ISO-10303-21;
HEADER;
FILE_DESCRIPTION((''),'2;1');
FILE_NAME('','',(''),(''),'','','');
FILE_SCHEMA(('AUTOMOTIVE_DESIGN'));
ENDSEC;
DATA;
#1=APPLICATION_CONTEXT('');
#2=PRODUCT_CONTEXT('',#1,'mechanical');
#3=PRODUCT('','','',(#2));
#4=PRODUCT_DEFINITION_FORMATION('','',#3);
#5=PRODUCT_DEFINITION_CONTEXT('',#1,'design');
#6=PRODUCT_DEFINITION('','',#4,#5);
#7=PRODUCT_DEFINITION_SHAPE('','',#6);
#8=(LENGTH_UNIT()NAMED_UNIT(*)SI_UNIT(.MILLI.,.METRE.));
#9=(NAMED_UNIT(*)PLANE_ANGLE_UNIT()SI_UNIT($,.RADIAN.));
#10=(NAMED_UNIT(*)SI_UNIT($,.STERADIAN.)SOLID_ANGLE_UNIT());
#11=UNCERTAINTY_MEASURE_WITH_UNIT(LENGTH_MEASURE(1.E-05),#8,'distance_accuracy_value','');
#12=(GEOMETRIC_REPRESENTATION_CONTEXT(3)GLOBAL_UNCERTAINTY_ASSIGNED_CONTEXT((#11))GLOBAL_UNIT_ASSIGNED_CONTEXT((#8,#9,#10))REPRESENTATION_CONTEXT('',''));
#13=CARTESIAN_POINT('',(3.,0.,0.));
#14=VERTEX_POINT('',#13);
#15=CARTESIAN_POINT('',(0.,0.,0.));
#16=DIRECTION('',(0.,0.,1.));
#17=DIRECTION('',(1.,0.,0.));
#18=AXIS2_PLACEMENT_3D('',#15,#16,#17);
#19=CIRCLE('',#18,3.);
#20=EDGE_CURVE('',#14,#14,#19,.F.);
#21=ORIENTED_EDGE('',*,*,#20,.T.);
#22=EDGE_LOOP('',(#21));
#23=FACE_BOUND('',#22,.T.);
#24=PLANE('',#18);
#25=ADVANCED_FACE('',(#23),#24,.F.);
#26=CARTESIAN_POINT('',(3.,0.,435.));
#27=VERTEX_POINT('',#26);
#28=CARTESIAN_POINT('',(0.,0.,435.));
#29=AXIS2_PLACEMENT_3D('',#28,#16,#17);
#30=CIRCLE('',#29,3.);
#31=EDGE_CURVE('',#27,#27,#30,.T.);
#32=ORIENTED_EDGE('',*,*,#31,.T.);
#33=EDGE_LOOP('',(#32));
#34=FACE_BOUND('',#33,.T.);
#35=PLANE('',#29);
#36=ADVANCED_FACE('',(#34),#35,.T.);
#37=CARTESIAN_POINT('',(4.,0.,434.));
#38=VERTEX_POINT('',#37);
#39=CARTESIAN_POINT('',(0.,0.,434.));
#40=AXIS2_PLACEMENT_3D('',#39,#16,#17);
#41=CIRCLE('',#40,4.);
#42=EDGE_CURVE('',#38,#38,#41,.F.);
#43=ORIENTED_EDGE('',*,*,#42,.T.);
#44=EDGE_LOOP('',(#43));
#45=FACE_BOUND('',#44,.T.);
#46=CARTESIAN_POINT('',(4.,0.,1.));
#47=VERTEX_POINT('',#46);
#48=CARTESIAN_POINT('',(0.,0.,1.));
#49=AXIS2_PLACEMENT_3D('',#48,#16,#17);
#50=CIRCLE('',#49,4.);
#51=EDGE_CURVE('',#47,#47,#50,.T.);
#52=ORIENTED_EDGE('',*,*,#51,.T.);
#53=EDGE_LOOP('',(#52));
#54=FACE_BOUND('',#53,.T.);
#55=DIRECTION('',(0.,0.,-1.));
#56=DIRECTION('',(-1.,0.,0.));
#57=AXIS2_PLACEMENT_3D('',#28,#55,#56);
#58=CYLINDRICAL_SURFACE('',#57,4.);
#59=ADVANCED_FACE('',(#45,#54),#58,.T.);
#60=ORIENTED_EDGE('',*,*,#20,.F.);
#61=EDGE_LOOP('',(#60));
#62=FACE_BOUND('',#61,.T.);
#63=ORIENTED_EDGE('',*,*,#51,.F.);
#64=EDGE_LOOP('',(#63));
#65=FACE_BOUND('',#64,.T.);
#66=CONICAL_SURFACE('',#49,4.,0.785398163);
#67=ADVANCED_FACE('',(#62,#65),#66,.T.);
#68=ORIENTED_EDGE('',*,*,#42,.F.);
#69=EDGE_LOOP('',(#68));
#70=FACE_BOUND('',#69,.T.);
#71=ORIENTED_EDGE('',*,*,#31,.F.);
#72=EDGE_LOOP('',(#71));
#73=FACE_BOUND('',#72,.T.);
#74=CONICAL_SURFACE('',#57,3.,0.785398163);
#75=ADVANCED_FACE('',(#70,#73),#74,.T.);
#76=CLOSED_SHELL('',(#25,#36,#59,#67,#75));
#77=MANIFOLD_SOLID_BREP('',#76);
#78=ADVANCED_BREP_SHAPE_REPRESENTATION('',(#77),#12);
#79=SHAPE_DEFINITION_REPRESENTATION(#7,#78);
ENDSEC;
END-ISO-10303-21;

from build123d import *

# Parameters (mm, degrees)
SCHIZZO1_R                   = 4
ESTRUSIONE_ESTRUSIONE1_DEPTH = 435
SMUSSO1_SIZE                 = 1


with BuildPart() as part:
    # Schizzo1 → Estrusione-Estrusione1 (new body)
    with BuildSketch(Plane.XY):
        Circle(SCHIZZO1_R)
    extrude(amount=ESTRUSIONE_ESTRUSIONE1_DEPTH)

    # Smusso1
    smusso1_edges = [part.edges().sort_by_distance(p)[0] for p in [
        (-4, 0, 0),
        (-4, 0, 435),
    ]]
    chamfer(smusso1_edges, length=SMUSSO1_SIZE)


solid = part.part
